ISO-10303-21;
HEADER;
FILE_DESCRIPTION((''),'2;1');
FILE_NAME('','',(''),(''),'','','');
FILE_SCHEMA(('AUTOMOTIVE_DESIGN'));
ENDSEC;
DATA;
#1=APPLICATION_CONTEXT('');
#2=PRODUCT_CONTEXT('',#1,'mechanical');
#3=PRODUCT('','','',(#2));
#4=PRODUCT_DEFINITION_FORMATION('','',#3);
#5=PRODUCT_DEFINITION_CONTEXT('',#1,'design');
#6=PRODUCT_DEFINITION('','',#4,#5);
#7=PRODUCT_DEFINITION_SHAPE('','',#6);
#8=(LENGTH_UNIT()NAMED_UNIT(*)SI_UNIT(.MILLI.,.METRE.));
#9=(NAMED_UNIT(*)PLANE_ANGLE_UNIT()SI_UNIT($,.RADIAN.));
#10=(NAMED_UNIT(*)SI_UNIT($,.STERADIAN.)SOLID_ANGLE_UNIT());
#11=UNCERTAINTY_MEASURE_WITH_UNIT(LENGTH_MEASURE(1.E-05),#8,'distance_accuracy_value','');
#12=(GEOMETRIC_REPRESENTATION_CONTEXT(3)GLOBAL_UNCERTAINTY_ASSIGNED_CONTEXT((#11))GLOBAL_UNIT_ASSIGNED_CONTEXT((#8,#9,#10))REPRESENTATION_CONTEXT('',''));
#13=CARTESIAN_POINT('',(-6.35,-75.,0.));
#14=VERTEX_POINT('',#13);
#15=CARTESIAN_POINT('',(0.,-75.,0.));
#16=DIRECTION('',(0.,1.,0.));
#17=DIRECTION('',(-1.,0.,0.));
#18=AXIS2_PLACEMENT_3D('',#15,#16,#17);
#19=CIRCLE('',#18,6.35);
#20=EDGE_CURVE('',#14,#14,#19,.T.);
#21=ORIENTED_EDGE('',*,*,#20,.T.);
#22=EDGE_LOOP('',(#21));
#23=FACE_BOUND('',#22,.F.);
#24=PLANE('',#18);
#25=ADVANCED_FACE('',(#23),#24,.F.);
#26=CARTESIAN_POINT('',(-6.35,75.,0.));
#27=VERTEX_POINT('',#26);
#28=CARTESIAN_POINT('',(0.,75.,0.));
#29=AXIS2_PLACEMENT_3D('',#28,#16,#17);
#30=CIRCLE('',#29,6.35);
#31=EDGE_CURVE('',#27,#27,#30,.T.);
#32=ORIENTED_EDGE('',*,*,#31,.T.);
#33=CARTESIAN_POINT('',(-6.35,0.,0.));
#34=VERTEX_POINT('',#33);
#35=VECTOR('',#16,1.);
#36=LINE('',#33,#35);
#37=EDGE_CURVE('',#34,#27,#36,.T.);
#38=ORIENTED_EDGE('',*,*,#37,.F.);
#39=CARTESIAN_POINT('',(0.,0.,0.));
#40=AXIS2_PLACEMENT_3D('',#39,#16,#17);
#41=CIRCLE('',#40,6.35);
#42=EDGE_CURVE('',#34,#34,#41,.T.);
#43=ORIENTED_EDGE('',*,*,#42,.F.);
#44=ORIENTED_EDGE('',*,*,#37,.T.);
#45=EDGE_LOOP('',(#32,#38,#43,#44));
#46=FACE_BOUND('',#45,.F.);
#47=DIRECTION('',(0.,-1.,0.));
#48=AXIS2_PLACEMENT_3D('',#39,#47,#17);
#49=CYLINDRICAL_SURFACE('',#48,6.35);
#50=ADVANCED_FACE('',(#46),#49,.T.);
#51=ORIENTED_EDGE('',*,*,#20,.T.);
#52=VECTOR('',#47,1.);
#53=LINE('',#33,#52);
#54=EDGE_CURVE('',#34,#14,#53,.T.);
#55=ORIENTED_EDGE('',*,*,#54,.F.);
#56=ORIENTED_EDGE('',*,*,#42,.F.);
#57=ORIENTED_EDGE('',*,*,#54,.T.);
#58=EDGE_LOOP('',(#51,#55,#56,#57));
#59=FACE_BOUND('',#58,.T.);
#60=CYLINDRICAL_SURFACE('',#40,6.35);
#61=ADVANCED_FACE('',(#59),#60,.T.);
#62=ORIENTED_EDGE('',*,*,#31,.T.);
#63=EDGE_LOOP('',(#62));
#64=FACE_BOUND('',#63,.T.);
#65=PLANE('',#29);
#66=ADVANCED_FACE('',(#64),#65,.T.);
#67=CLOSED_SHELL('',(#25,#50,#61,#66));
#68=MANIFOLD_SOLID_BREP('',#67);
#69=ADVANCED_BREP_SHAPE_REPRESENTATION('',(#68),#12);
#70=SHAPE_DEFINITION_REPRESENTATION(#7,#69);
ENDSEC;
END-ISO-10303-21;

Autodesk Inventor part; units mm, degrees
ref_plane "YZ Plane" through (0, 0, 0) normal (1, 0, 0) x (0, 1, 0)
ref_plane "XZ Plane" through (0, 0, 0) normal (0, 1, 0) x (-1, 0, 0)
ref_plane "XY Plane" through (0, 0, 0) normal (0, 0, 1) x (1, 0, 0)
sketch "Sketch1" plane through (0, 0, 0) normal (0, 1, 0) x (-1, 0, 0)
  circle A0 centre (0, 0) radius 6.35
  dimension "d0" = 12.7
extrude "Extrusion1" add sketch "Sketch1" along normal mid plane 150
properties part number "chapa2"
